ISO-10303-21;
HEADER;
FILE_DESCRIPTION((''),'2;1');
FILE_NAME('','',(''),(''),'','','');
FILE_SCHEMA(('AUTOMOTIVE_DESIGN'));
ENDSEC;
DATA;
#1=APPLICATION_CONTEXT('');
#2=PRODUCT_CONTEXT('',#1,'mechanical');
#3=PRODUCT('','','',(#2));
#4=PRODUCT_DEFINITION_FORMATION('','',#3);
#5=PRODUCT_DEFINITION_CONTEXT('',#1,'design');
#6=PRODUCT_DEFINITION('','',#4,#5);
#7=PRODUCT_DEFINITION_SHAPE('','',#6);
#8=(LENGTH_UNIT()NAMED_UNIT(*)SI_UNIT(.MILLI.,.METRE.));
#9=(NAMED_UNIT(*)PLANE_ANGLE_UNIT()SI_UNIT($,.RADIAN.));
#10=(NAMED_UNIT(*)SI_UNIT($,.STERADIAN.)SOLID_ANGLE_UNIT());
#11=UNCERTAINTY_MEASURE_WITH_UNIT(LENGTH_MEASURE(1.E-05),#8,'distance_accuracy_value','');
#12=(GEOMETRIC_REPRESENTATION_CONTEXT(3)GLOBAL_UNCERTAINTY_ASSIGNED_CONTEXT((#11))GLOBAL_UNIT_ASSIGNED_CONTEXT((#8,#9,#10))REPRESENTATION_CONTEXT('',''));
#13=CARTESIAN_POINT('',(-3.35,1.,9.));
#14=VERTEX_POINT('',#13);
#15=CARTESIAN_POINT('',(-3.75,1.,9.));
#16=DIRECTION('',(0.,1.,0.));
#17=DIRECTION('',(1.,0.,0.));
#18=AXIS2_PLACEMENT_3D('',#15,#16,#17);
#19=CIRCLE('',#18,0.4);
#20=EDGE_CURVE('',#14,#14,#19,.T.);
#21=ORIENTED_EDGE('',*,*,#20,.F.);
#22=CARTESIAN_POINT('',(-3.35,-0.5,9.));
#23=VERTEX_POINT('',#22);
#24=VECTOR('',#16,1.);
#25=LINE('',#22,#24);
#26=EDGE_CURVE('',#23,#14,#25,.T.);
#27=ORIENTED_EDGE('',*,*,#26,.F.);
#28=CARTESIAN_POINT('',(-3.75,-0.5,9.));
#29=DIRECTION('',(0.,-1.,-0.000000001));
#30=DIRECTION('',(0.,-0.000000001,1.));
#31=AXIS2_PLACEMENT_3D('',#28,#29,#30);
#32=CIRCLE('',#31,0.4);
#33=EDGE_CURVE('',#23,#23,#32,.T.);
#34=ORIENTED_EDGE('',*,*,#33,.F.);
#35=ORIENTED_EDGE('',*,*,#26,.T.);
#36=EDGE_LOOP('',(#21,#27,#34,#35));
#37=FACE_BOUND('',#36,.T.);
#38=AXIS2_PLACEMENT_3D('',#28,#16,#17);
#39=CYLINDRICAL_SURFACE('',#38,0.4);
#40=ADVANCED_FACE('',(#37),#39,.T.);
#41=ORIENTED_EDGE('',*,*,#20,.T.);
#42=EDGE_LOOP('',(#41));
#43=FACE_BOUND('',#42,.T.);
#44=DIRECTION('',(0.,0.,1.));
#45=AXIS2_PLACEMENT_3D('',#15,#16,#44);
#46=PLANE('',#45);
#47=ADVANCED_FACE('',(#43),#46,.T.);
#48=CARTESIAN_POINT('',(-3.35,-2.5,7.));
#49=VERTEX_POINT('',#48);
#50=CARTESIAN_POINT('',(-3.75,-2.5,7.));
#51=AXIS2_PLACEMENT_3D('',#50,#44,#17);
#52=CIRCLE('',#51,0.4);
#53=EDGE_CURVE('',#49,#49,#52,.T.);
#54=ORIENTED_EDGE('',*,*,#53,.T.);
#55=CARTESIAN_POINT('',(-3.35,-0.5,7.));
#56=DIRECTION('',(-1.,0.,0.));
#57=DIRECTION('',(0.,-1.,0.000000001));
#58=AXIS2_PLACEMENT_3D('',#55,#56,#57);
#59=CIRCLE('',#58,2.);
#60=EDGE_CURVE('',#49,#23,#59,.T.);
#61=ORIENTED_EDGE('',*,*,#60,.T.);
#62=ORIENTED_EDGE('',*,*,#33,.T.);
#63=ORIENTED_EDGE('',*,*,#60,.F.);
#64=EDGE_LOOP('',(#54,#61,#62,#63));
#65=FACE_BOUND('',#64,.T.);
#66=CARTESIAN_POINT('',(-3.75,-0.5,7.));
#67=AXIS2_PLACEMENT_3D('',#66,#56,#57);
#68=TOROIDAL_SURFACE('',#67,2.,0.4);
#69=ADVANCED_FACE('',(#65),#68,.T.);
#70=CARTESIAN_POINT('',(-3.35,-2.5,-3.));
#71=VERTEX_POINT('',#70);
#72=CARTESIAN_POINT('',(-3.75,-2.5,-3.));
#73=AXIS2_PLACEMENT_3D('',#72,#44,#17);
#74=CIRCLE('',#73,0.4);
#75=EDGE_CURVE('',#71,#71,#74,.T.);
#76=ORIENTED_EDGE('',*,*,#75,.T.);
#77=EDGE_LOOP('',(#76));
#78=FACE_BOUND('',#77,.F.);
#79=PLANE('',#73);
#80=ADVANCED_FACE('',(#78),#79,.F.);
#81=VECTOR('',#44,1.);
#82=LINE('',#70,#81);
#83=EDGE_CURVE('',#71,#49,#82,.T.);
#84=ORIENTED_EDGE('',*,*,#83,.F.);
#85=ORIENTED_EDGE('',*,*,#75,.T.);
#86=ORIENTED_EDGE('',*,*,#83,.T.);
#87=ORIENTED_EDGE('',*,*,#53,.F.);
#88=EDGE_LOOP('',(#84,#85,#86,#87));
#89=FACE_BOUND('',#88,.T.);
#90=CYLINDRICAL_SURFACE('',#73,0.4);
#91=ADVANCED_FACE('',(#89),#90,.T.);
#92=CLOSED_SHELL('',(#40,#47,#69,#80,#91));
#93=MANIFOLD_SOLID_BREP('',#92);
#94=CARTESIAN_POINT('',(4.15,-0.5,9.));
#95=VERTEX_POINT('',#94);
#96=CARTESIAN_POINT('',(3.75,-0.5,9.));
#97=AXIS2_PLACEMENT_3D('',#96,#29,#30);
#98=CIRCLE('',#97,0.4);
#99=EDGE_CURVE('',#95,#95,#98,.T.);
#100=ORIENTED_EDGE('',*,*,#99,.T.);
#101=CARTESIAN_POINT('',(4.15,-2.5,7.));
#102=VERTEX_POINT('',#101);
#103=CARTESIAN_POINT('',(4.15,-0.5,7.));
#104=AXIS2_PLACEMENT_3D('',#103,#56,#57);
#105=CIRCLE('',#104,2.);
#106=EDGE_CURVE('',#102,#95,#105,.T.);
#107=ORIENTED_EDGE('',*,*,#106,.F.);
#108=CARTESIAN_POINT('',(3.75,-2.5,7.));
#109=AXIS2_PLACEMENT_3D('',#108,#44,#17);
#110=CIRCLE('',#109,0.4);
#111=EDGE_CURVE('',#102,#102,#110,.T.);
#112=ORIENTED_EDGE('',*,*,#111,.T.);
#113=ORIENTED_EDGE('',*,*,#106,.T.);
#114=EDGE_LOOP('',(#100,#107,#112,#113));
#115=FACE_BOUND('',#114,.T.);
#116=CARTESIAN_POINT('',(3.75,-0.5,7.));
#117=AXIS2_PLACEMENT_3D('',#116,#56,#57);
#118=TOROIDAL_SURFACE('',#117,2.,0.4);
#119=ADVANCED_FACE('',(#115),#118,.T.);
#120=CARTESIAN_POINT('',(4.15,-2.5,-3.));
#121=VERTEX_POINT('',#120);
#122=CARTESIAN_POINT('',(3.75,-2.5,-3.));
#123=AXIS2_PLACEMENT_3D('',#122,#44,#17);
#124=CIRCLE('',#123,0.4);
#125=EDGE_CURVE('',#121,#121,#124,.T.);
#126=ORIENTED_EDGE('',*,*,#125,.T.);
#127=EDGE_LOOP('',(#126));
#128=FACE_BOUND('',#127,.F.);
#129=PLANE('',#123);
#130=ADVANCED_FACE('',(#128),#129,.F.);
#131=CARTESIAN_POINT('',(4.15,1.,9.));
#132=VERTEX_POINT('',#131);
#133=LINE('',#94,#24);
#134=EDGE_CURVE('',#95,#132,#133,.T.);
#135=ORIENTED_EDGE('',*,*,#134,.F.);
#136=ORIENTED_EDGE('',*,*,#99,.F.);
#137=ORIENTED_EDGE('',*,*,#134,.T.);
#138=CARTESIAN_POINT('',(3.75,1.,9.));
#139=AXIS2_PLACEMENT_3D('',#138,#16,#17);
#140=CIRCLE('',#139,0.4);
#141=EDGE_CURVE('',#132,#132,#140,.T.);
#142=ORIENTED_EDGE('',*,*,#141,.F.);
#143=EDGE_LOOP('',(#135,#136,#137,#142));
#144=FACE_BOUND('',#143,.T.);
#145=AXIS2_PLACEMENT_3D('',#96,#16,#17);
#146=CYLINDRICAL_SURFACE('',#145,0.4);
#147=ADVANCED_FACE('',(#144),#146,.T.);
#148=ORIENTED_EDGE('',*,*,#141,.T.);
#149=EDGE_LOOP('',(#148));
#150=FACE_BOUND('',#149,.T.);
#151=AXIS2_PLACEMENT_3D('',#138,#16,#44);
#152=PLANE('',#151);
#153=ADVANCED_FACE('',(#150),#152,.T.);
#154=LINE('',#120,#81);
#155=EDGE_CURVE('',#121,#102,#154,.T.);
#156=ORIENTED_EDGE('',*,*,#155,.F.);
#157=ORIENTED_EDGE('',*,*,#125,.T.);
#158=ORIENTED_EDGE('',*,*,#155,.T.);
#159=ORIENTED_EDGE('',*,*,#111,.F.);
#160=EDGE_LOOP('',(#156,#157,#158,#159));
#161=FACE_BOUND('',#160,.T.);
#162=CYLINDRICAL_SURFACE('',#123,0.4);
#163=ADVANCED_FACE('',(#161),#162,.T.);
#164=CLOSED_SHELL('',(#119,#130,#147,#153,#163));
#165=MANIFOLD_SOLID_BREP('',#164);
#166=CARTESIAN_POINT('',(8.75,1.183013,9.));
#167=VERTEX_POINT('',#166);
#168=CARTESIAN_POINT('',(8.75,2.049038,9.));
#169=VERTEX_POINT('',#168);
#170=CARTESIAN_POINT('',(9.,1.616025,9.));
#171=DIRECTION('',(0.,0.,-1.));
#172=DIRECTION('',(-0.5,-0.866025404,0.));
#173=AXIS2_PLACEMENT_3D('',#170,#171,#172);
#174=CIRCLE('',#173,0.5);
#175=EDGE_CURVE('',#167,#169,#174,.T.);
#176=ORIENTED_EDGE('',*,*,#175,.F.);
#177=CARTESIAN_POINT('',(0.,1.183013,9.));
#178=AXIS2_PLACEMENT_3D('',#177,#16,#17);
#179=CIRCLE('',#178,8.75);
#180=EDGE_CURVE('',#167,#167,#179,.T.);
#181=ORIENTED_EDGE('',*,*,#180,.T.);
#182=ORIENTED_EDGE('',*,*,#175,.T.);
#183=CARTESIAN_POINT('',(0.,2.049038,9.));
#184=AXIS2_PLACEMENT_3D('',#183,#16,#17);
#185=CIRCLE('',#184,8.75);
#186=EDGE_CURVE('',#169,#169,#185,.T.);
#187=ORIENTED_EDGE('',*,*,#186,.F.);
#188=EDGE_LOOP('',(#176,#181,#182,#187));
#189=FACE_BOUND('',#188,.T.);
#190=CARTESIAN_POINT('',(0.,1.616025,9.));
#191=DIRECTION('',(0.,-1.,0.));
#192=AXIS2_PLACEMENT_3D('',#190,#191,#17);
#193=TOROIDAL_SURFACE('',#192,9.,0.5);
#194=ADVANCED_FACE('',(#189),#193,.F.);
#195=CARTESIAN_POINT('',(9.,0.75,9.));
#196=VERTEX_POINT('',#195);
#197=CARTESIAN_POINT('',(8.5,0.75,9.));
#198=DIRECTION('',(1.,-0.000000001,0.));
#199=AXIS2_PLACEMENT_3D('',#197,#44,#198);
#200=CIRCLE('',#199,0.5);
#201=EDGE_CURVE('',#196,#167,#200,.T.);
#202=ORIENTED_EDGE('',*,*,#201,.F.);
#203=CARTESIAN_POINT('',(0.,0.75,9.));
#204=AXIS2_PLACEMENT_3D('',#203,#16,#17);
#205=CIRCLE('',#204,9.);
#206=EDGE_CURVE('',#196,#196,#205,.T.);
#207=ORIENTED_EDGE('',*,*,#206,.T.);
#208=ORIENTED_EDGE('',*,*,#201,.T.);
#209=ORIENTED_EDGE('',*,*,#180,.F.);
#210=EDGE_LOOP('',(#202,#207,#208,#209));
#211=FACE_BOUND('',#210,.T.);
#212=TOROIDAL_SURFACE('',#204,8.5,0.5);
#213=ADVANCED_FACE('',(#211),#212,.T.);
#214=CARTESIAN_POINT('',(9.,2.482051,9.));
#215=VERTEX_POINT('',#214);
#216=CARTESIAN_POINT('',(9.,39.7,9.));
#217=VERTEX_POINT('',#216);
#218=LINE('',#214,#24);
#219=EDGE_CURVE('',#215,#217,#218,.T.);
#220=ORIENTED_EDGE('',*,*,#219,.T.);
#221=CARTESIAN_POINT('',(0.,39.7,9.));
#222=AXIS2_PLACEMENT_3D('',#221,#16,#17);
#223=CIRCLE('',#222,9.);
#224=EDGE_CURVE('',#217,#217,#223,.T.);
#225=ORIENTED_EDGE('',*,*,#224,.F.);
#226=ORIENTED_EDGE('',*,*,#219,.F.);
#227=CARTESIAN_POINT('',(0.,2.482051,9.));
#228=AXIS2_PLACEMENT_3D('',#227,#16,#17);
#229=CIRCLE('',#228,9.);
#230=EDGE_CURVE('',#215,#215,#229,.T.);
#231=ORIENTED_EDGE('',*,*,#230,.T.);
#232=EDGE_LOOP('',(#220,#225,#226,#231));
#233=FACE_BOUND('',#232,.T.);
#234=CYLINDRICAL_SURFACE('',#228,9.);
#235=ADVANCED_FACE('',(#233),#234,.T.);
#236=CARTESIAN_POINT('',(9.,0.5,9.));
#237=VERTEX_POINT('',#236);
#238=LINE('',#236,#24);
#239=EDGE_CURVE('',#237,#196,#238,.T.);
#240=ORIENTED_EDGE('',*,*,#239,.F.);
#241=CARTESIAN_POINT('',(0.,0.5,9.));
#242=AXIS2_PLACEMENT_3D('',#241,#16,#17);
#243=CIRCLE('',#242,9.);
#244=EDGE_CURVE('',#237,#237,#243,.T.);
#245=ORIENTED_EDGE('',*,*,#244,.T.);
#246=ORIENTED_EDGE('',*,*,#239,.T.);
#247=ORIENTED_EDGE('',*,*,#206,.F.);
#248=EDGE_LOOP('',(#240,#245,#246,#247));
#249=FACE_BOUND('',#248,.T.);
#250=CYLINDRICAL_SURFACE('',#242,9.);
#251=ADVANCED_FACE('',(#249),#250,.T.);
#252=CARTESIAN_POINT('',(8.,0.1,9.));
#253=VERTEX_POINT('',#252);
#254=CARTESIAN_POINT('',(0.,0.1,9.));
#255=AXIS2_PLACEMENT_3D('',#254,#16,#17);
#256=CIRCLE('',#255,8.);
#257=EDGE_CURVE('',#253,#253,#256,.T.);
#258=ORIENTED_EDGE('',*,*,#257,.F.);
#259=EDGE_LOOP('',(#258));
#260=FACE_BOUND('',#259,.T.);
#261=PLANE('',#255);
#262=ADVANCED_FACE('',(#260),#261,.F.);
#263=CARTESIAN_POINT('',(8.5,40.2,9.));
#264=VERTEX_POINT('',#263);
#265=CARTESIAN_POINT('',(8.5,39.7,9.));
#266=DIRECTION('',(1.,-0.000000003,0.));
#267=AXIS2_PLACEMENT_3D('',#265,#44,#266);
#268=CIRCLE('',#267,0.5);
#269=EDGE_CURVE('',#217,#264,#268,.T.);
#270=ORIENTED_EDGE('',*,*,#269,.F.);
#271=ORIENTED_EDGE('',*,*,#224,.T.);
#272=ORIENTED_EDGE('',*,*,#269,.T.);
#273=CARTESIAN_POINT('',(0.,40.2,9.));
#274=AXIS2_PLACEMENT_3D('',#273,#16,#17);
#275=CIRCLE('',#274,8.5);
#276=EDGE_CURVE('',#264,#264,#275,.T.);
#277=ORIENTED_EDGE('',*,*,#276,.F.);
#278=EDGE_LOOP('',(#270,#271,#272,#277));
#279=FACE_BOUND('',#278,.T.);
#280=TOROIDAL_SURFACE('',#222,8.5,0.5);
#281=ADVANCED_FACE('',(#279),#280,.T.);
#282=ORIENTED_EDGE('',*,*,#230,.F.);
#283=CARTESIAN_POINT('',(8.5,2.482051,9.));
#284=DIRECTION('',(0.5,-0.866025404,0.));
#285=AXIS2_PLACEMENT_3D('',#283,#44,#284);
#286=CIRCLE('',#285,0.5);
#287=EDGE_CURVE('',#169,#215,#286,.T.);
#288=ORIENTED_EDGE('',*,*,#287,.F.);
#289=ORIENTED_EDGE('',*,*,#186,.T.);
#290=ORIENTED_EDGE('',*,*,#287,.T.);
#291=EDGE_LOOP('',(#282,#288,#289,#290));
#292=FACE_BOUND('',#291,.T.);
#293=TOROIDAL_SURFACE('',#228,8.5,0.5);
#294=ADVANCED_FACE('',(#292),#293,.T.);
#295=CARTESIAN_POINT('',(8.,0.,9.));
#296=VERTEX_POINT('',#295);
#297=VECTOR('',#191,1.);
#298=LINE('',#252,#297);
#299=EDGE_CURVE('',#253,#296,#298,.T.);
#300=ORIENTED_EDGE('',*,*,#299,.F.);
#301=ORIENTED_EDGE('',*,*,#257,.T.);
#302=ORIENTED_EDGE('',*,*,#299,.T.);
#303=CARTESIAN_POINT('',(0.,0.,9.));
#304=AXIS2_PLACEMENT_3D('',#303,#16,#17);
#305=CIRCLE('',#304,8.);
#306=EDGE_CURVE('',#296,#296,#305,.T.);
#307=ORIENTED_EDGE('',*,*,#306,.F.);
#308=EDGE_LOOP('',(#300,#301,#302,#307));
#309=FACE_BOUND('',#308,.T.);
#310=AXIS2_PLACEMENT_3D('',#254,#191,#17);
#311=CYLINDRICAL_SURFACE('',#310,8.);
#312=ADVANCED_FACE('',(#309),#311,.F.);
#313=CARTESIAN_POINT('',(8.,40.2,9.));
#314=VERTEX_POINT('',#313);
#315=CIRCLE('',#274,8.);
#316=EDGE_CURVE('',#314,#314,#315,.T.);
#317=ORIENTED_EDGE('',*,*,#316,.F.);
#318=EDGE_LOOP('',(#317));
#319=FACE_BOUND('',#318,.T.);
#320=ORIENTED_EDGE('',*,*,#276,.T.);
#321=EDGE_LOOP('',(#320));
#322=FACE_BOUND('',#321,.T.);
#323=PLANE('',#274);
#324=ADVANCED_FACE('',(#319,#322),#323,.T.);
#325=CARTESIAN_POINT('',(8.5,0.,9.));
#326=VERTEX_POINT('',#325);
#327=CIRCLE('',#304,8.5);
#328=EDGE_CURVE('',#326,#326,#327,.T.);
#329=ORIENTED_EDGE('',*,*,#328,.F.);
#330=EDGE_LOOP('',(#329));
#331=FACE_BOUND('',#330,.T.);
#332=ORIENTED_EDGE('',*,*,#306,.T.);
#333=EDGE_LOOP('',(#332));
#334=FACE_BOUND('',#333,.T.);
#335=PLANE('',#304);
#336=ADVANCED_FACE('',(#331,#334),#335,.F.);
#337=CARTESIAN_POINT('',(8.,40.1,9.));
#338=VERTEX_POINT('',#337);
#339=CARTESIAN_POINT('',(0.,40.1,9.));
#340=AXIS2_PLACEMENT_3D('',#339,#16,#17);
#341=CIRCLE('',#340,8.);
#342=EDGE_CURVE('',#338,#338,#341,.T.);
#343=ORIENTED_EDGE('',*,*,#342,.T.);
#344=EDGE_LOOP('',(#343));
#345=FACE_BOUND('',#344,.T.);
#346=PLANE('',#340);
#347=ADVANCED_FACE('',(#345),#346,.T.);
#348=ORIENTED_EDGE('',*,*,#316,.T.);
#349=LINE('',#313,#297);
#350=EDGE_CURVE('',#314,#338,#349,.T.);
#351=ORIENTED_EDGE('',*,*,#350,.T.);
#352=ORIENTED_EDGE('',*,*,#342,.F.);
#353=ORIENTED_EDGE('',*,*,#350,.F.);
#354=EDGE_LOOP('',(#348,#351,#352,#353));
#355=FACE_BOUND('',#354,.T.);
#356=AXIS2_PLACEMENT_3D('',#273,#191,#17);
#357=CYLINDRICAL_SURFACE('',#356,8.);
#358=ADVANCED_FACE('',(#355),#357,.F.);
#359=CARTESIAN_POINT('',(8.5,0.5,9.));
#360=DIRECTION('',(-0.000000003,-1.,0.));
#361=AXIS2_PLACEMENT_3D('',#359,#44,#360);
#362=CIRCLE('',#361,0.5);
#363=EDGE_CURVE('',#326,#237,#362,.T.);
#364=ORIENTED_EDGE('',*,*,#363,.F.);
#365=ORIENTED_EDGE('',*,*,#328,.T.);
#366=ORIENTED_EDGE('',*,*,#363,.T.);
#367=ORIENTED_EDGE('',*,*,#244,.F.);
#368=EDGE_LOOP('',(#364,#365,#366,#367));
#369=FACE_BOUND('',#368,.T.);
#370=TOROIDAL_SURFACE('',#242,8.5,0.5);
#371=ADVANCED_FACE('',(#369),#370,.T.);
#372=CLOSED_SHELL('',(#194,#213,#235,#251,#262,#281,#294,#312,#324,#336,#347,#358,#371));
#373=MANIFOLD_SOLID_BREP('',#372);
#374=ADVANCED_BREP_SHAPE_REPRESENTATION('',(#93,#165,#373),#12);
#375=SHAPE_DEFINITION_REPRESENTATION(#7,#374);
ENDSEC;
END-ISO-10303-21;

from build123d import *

# Parameters (mm, degrees)
SKETCH1_R = 0.4


with BuildPart() as part:
    # По траектории1: sweep along a path in Эскиз1
    with BuildLine(Plane(origin=(0, 0, 0), x_dir=(0, 0, -1), z_dir=(1, 0, 0))) as sweep_1_path:
        Line((3, -2.5), (-7, -2.5))
        ThreePointArc((-7, -2.5), (-8.414213562, -1.914213562), (-9, -0.5))
        Line((-9, -0.5), (-9, 0))
        Line((-9, 0), (-9, 1))
    # Sketch1 → По траектории1 (sweep)
    with BuildSketch(Plane(origin=(0, 0, 0), x_dir=(1, 0, 0), z_dir=(0, 1, 0))):
        with Locations((-3.75, -9)):
            Circle(SKETCH1_R)
        with Locations((3.75, -9)):
            Circle(SKETCH1_R)
    sweep(path=sweep_1_path.line)


with BuildPart() as body_2:
    # Sketch3 → Revolve1 (revolve)
    with BuildSketch(Plane.XY.offset(9)):
        with BuildLine():
            Line((9, 0.5), (9, 0.75))
            ThreePointArc((9, 0.75), (8.933012702, 1), (8.75, 1.183012702))
            ThreePointArc((8.75, 1.183012702), (8.5, 1.616025404), (8.75, 2.049038106))
            ThreePointArc((8.75, 2.049038106), (8.933012702, 2.232050808), (9, 2.482050808))
            Line((9, 2.482050808), (9, 39.7))
            ThreePointArc((9, 39.7), (8.853553391, 40.053553391), (8.5, 40.2))
            Line((8.5, 40.2), (8, 40.2))
            Line((8, 40.2), (8, 40.1))
            Line((8, 40.1), (0, 40.1))
            Line((0, 40.1), (0, 0.1))
            Line((0, 0.1), (8, 0.1))
            Line((8, 0.1), (8, 0))
            Line((8, 0), (8.5, 0))
            ThreePointArc((8.5, 0), (8.853553391, 0.146446609), (9, 0.5))
        make_face()
    revolve(axis=Axis((0, 0.1, 9), (0, 1, 0)))


solid = Compound([part.part, body_2.part])
